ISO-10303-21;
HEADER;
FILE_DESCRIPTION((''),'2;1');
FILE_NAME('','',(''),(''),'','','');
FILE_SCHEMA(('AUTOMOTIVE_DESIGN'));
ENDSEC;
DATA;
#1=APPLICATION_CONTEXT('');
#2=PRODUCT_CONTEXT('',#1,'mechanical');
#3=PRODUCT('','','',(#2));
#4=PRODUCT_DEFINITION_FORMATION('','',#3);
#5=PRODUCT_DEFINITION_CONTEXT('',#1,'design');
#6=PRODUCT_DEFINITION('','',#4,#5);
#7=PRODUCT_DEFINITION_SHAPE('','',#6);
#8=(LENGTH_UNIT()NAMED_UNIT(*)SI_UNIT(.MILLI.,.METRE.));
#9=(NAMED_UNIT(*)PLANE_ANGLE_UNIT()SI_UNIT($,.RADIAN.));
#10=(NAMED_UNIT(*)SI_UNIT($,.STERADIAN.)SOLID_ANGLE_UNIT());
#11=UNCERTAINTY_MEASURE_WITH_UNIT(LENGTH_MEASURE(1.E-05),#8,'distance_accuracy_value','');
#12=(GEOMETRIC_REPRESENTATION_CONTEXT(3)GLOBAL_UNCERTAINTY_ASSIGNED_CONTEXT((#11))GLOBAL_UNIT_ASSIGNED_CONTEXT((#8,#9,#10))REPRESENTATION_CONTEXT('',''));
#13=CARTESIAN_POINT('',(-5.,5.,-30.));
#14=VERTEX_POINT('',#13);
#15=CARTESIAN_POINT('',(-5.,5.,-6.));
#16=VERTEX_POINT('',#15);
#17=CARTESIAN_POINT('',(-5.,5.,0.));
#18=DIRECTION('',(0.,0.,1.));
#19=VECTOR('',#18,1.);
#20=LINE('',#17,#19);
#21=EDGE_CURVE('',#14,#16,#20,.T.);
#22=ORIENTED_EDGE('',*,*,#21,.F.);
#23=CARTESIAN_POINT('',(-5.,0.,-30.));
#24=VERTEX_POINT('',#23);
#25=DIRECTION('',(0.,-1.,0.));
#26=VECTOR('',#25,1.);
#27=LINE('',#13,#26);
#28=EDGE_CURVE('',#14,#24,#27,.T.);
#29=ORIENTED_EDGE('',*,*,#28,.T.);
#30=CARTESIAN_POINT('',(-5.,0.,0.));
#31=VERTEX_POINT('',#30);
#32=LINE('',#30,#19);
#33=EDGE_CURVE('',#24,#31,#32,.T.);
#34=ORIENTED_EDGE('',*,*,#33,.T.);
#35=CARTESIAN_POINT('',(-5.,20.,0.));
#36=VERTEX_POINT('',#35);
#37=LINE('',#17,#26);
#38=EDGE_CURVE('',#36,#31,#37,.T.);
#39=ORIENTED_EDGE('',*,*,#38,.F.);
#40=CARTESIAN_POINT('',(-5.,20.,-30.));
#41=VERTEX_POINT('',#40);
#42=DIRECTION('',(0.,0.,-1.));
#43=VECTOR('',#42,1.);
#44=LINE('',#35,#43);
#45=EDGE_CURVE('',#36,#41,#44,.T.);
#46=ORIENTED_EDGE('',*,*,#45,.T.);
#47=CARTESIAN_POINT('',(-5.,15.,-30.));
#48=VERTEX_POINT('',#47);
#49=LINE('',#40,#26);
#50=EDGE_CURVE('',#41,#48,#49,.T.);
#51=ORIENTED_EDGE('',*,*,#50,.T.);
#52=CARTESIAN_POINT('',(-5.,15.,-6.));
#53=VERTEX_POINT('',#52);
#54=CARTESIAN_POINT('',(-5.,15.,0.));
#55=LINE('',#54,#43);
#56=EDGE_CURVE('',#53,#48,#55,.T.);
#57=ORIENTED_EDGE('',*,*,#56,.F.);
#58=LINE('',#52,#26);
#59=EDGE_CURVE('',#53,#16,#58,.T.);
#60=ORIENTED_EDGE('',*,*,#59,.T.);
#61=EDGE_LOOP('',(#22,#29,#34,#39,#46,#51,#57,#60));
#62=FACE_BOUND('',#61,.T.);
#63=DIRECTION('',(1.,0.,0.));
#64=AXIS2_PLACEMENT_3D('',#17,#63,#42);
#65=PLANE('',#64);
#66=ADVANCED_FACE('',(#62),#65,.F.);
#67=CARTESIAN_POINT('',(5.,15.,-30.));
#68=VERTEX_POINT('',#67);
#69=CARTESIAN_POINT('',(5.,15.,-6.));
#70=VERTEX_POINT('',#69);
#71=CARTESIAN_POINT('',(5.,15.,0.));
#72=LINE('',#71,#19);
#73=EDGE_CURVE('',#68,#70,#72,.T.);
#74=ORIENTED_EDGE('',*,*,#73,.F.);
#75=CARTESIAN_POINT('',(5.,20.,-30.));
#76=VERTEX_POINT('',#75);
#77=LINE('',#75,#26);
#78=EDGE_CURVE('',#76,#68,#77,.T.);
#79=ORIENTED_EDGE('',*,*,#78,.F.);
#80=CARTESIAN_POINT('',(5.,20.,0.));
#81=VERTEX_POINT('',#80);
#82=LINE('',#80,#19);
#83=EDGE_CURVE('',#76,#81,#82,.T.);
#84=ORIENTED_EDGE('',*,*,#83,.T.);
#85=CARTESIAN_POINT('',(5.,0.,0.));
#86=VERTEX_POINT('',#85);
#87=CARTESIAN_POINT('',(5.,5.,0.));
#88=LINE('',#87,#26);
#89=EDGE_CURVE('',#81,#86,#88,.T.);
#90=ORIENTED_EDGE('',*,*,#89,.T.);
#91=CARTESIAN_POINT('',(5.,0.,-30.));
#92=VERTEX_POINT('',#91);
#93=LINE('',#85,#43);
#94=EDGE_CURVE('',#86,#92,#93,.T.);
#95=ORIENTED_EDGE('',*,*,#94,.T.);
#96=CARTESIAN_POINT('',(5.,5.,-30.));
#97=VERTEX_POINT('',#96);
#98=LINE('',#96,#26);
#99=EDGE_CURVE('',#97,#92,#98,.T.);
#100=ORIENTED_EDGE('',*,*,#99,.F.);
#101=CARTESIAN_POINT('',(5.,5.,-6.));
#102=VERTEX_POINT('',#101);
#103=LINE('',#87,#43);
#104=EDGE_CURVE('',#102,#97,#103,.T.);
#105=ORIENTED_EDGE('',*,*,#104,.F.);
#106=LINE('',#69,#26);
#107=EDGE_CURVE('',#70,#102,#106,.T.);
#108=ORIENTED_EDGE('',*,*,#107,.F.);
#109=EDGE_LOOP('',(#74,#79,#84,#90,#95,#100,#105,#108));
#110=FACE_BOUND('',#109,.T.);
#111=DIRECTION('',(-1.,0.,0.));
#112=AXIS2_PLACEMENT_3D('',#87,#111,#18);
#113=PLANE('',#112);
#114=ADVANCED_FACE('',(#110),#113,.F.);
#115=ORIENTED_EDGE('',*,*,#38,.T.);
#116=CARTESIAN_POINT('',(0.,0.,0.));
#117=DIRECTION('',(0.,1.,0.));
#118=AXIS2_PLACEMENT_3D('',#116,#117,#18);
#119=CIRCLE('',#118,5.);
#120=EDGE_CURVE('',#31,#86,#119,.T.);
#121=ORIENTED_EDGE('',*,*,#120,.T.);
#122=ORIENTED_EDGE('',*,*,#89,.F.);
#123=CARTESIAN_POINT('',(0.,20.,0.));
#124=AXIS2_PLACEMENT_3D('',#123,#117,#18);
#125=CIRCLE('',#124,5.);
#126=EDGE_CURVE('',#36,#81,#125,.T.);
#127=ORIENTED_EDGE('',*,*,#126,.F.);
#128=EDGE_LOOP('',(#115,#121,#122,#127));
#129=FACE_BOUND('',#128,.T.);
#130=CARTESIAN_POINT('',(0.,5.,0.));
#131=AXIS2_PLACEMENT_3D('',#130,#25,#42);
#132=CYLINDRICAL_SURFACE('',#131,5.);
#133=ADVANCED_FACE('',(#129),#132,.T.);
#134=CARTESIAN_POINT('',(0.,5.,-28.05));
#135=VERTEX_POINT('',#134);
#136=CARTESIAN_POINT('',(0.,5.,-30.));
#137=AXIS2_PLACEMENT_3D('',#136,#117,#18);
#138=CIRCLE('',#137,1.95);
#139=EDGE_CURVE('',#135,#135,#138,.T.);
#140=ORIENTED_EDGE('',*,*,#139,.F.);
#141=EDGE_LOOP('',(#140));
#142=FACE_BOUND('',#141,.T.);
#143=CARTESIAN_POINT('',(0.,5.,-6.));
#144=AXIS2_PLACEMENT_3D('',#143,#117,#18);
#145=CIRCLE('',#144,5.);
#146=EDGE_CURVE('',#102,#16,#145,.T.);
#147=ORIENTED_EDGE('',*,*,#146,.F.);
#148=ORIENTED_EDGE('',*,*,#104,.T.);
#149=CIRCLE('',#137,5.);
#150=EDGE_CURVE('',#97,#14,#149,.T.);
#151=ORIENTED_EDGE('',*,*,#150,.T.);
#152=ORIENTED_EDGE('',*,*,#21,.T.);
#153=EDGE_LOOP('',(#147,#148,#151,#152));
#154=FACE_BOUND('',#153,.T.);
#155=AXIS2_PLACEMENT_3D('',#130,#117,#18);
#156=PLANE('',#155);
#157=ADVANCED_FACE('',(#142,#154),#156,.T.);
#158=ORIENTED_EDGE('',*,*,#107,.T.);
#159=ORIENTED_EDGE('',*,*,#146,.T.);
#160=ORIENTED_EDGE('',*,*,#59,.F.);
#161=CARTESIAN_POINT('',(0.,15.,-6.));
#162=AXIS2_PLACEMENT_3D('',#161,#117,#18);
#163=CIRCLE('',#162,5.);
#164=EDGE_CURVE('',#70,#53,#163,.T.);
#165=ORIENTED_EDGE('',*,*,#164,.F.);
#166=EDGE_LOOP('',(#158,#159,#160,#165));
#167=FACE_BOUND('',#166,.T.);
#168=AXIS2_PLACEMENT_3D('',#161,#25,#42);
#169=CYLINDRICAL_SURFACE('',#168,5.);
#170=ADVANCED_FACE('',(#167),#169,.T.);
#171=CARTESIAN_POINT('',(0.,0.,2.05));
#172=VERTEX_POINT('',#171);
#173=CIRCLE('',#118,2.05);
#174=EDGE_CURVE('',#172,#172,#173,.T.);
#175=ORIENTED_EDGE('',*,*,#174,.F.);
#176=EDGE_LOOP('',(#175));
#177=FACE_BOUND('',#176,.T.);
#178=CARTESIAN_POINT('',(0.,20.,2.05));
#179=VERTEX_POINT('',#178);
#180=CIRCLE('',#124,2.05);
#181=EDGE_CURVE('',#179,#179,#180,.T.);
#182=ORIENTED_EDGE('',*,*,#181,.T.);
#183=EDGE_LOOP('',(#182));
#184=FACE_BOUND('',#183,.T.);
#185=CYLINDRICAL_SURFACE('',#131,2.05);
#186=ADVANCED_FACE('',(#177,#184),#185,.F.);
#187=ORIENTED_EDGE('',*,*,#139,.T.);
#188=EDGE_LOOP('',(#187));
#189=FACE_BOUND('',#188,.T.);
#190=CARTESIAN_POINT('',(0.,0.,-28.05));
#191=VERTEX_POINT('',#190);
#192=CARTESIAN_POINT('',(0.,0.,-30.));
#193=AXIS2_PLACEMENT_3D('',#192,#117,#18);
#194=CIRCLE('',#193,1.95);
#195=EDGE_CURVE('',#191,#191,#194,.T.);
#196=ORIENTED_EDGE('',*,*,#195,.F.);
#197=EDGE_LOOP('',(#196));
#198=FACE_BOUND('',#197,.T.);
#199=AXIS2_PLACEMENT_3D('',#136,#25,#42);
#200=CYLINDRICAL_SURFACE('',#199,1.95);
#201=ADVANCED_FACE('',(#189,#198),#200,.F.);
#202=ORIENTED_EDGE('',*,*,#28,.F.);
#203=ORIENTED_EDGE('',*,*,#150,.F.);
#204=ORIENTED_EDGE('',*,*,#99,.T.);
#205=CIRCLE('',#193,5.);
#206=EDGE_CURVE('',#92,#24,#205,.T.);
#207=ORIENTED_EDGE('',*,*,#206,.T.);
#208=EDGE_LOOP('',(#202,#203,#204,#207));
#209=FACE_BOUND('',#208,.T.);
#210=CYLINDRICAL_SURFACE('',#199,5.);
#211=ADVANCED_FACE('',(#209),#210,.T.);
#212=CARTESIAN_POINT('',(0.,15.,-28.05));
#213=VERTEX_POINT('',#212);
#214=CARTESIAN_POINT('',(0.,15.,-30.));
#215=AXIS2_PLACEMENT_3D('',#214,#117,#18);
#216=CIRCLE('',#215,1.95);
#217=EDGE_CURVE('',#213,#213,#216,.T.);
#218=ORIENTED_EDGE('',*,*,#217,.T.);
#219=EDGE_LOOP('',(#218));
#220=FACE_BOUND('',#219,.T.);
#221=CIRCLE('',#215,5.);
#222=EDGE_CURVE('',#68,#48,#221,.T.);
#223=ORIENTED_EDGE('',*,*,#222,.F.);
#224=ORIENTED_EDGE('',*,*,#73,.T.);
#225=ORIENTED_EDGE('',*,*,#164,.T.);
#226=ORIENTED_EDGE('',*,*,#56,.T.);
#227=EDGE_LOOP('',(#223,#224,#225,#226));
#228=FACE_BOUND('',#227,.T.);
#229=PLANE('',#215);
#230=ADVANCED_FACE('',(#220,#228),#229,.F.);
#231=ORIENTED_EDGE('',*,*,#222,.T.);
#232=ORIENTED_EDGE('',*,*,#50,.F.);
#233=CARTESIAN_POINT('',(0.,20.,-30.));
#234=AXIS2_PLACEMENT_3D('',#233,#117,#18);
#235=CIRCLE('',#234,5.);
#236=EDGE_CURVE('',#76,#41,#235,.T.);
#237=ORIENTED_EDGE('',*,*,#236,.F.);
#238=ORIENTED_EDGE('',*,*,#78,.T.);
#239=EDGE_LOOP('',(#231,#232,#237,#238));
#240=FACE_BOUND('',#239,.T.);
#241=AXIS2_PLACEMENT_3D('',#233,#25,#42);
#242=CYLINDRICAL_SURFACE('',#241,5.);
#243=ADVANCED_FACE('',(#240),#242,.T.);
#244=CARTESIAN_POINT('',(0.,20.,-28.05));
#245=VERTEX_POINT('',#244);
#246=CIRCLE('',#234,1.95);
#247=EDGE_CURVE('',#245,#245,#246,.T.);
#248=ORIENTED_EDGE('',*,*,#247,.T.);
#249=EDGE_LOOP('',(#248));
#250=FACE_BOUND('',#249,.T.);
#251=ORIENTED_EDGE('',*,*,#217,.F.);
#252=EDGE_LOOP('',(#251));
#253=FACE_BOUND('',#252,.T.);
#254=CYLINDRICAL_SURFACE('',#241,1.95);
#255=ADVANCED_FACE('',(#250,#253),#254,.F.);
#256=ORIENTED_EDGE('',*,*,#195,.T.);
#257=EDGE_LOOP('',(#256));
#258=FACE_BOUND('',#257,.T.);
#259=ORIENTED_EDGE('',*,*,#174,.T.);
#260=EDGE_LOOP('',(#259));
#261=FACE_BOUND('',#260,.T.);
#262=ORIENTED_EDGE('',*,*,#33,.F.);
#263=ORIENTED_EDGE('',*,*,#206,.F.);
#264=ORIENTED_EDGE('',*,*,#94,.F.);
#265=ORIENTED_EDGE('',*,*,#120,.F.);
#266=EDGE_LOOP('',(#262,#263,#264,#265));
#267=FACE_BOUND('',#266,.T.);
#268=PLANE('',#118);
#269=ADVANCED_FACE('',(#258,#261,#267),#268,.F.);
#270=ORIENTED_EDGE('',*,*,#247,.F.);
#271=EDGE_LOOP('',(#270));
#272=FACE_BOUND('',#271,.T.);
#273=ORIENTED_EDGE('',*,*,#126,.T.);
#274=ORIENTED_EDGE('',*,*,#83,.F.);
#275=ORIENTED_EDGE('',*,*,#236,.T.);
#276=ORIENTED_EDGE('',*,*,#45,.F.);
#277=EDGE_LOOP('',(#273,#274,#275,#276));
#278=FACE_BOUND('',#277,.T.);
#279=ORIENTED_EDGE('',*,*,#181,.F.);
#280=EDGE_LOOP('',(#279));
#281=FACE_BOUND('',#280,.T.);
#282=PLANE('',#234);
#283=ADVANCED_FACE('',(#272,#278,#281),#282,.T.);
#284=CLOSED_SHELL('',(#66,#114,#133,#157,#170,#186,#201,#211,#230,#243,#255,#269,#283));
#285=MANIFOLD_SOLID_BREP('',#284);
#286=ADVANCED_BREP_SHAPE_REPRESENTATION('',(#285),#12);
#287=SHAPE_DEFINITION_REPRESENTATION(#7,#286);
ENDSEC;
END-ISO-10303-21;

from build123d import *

# Parameters (mm, degrees)
ESQUISSE1_R        = 1.95
ESQUISSE1_R_2      = 2.05
BOSS_EXTRU_1_DEPTH = 5
ESQUISSE2_R        = 2.05
BOSS_EXTRU_2_DEPTH = 10
BOSS_EXTRU_3_START = 10
ESQUISSE3_R        = 1.95
ESQUISSE3_R_2      = 2.05
BOSS_EXTRU_3_DEPTH = 5


with BuildPart() as part:
    # Esquisse1 → Boss.-Extru.1 (new body)
    with BuildSketch(Plane(origin=(0, 0, 0), x_dir=(1, 0, 0), z_dir=(0, 1, 0))):
        with BuildLine():
            Line((-5, 0), (-5, 30))
            ThreePointArc((-5, 30), (0, 35), (5, 30))
            Line((5, 30), (5, 0))
            ThreePointArc((5, 0), (0, -5), (-5, 0))
        make_face()
        with Locations(Location((0, 30, 0), (0, 0, 270))):
            Circle(ESQUISSE1_R, mode=Mode.SUBTRACT)
        with Locations(Location((0, 0, 0), (0, 0, 270))):
            Circle(ESQUISSE1_R_2, mode=Mode.SUBTRACT)
    extrude(amount=BOSS_EXTRU_1_DEPTH)

    # Esquisse2 → Boss.-Extru.2 (add)
    with BuildSketch(Plane(origin=(0, 5, 0), x_dir=(1, 0, 0), z_dir=(0, 1, 0))):
        with BuildLine():
            Line((-5, 0), (-5, 6))
            ThreePointArc((-5, 6), (0, 11), (5, 6))
            Line((5, 6), (5, 0))
            ThreePointArc((5, 0), (0, -5), (-5, 0))
        make_face()
        with Locations(Location((0, 0, 0), (0, 0, 270))):
            Circle(ESQUISSE2_R, mode=Mode.SUBTRACT)
    extrude(amount=BOSS_EXTRU_2_DEPTH)

    # Esquisse3 → Boss.-Extru.3 (add)
    # profile 1 of 2: a face of its own
    with BuildSketch(Plane(origin=(0, 5, 0), x_dir=(1, 0, 0), z_dir=(0, 1, 0)).offset(BOSS_EXTRU_3_START)):
        with BuildLine():
            Line((-5, 30), (-5, 6))
            ThreePointArc((-5, 6), (0, 11), (5, 6))
            Line((5, 6), (5, 30))
            ThreePointArc((5, 30), (0, 35), (-5, 30))
        make_face()
        with Locations(Location((0, 30, 0), (0, 0, 270))):
            Circle(ESQUISSE3_R, mode=Mode.SUBTRACT)
    # profile 2 of 2: a face of its own
    with BuildSketch(Plane(origin=(0, 5, 0), x_dir=(1, 0, 0), z_dir=(0, 1, 0)).offset(BOSS_EXTRU_3_START)):
        with BuildLine():
            Line((-5, 6), (-5, 0))
            ThreePointArc((-5, 0), (0, -5), (5, 0))
            Line((5, 0), (5, 6))
            ThreePointArc((5, 6), (0, 11), (-5, 6))
        make_face()
        with Locations(Location((0, 0, 0), (0, 0, 270))):
            Circle(ESQUISSE3_R_2, mode=Mode.SUBTRACT)
    extrude(amount=BOSS_EXTRU_3_DEPTH)


solid = part.part
